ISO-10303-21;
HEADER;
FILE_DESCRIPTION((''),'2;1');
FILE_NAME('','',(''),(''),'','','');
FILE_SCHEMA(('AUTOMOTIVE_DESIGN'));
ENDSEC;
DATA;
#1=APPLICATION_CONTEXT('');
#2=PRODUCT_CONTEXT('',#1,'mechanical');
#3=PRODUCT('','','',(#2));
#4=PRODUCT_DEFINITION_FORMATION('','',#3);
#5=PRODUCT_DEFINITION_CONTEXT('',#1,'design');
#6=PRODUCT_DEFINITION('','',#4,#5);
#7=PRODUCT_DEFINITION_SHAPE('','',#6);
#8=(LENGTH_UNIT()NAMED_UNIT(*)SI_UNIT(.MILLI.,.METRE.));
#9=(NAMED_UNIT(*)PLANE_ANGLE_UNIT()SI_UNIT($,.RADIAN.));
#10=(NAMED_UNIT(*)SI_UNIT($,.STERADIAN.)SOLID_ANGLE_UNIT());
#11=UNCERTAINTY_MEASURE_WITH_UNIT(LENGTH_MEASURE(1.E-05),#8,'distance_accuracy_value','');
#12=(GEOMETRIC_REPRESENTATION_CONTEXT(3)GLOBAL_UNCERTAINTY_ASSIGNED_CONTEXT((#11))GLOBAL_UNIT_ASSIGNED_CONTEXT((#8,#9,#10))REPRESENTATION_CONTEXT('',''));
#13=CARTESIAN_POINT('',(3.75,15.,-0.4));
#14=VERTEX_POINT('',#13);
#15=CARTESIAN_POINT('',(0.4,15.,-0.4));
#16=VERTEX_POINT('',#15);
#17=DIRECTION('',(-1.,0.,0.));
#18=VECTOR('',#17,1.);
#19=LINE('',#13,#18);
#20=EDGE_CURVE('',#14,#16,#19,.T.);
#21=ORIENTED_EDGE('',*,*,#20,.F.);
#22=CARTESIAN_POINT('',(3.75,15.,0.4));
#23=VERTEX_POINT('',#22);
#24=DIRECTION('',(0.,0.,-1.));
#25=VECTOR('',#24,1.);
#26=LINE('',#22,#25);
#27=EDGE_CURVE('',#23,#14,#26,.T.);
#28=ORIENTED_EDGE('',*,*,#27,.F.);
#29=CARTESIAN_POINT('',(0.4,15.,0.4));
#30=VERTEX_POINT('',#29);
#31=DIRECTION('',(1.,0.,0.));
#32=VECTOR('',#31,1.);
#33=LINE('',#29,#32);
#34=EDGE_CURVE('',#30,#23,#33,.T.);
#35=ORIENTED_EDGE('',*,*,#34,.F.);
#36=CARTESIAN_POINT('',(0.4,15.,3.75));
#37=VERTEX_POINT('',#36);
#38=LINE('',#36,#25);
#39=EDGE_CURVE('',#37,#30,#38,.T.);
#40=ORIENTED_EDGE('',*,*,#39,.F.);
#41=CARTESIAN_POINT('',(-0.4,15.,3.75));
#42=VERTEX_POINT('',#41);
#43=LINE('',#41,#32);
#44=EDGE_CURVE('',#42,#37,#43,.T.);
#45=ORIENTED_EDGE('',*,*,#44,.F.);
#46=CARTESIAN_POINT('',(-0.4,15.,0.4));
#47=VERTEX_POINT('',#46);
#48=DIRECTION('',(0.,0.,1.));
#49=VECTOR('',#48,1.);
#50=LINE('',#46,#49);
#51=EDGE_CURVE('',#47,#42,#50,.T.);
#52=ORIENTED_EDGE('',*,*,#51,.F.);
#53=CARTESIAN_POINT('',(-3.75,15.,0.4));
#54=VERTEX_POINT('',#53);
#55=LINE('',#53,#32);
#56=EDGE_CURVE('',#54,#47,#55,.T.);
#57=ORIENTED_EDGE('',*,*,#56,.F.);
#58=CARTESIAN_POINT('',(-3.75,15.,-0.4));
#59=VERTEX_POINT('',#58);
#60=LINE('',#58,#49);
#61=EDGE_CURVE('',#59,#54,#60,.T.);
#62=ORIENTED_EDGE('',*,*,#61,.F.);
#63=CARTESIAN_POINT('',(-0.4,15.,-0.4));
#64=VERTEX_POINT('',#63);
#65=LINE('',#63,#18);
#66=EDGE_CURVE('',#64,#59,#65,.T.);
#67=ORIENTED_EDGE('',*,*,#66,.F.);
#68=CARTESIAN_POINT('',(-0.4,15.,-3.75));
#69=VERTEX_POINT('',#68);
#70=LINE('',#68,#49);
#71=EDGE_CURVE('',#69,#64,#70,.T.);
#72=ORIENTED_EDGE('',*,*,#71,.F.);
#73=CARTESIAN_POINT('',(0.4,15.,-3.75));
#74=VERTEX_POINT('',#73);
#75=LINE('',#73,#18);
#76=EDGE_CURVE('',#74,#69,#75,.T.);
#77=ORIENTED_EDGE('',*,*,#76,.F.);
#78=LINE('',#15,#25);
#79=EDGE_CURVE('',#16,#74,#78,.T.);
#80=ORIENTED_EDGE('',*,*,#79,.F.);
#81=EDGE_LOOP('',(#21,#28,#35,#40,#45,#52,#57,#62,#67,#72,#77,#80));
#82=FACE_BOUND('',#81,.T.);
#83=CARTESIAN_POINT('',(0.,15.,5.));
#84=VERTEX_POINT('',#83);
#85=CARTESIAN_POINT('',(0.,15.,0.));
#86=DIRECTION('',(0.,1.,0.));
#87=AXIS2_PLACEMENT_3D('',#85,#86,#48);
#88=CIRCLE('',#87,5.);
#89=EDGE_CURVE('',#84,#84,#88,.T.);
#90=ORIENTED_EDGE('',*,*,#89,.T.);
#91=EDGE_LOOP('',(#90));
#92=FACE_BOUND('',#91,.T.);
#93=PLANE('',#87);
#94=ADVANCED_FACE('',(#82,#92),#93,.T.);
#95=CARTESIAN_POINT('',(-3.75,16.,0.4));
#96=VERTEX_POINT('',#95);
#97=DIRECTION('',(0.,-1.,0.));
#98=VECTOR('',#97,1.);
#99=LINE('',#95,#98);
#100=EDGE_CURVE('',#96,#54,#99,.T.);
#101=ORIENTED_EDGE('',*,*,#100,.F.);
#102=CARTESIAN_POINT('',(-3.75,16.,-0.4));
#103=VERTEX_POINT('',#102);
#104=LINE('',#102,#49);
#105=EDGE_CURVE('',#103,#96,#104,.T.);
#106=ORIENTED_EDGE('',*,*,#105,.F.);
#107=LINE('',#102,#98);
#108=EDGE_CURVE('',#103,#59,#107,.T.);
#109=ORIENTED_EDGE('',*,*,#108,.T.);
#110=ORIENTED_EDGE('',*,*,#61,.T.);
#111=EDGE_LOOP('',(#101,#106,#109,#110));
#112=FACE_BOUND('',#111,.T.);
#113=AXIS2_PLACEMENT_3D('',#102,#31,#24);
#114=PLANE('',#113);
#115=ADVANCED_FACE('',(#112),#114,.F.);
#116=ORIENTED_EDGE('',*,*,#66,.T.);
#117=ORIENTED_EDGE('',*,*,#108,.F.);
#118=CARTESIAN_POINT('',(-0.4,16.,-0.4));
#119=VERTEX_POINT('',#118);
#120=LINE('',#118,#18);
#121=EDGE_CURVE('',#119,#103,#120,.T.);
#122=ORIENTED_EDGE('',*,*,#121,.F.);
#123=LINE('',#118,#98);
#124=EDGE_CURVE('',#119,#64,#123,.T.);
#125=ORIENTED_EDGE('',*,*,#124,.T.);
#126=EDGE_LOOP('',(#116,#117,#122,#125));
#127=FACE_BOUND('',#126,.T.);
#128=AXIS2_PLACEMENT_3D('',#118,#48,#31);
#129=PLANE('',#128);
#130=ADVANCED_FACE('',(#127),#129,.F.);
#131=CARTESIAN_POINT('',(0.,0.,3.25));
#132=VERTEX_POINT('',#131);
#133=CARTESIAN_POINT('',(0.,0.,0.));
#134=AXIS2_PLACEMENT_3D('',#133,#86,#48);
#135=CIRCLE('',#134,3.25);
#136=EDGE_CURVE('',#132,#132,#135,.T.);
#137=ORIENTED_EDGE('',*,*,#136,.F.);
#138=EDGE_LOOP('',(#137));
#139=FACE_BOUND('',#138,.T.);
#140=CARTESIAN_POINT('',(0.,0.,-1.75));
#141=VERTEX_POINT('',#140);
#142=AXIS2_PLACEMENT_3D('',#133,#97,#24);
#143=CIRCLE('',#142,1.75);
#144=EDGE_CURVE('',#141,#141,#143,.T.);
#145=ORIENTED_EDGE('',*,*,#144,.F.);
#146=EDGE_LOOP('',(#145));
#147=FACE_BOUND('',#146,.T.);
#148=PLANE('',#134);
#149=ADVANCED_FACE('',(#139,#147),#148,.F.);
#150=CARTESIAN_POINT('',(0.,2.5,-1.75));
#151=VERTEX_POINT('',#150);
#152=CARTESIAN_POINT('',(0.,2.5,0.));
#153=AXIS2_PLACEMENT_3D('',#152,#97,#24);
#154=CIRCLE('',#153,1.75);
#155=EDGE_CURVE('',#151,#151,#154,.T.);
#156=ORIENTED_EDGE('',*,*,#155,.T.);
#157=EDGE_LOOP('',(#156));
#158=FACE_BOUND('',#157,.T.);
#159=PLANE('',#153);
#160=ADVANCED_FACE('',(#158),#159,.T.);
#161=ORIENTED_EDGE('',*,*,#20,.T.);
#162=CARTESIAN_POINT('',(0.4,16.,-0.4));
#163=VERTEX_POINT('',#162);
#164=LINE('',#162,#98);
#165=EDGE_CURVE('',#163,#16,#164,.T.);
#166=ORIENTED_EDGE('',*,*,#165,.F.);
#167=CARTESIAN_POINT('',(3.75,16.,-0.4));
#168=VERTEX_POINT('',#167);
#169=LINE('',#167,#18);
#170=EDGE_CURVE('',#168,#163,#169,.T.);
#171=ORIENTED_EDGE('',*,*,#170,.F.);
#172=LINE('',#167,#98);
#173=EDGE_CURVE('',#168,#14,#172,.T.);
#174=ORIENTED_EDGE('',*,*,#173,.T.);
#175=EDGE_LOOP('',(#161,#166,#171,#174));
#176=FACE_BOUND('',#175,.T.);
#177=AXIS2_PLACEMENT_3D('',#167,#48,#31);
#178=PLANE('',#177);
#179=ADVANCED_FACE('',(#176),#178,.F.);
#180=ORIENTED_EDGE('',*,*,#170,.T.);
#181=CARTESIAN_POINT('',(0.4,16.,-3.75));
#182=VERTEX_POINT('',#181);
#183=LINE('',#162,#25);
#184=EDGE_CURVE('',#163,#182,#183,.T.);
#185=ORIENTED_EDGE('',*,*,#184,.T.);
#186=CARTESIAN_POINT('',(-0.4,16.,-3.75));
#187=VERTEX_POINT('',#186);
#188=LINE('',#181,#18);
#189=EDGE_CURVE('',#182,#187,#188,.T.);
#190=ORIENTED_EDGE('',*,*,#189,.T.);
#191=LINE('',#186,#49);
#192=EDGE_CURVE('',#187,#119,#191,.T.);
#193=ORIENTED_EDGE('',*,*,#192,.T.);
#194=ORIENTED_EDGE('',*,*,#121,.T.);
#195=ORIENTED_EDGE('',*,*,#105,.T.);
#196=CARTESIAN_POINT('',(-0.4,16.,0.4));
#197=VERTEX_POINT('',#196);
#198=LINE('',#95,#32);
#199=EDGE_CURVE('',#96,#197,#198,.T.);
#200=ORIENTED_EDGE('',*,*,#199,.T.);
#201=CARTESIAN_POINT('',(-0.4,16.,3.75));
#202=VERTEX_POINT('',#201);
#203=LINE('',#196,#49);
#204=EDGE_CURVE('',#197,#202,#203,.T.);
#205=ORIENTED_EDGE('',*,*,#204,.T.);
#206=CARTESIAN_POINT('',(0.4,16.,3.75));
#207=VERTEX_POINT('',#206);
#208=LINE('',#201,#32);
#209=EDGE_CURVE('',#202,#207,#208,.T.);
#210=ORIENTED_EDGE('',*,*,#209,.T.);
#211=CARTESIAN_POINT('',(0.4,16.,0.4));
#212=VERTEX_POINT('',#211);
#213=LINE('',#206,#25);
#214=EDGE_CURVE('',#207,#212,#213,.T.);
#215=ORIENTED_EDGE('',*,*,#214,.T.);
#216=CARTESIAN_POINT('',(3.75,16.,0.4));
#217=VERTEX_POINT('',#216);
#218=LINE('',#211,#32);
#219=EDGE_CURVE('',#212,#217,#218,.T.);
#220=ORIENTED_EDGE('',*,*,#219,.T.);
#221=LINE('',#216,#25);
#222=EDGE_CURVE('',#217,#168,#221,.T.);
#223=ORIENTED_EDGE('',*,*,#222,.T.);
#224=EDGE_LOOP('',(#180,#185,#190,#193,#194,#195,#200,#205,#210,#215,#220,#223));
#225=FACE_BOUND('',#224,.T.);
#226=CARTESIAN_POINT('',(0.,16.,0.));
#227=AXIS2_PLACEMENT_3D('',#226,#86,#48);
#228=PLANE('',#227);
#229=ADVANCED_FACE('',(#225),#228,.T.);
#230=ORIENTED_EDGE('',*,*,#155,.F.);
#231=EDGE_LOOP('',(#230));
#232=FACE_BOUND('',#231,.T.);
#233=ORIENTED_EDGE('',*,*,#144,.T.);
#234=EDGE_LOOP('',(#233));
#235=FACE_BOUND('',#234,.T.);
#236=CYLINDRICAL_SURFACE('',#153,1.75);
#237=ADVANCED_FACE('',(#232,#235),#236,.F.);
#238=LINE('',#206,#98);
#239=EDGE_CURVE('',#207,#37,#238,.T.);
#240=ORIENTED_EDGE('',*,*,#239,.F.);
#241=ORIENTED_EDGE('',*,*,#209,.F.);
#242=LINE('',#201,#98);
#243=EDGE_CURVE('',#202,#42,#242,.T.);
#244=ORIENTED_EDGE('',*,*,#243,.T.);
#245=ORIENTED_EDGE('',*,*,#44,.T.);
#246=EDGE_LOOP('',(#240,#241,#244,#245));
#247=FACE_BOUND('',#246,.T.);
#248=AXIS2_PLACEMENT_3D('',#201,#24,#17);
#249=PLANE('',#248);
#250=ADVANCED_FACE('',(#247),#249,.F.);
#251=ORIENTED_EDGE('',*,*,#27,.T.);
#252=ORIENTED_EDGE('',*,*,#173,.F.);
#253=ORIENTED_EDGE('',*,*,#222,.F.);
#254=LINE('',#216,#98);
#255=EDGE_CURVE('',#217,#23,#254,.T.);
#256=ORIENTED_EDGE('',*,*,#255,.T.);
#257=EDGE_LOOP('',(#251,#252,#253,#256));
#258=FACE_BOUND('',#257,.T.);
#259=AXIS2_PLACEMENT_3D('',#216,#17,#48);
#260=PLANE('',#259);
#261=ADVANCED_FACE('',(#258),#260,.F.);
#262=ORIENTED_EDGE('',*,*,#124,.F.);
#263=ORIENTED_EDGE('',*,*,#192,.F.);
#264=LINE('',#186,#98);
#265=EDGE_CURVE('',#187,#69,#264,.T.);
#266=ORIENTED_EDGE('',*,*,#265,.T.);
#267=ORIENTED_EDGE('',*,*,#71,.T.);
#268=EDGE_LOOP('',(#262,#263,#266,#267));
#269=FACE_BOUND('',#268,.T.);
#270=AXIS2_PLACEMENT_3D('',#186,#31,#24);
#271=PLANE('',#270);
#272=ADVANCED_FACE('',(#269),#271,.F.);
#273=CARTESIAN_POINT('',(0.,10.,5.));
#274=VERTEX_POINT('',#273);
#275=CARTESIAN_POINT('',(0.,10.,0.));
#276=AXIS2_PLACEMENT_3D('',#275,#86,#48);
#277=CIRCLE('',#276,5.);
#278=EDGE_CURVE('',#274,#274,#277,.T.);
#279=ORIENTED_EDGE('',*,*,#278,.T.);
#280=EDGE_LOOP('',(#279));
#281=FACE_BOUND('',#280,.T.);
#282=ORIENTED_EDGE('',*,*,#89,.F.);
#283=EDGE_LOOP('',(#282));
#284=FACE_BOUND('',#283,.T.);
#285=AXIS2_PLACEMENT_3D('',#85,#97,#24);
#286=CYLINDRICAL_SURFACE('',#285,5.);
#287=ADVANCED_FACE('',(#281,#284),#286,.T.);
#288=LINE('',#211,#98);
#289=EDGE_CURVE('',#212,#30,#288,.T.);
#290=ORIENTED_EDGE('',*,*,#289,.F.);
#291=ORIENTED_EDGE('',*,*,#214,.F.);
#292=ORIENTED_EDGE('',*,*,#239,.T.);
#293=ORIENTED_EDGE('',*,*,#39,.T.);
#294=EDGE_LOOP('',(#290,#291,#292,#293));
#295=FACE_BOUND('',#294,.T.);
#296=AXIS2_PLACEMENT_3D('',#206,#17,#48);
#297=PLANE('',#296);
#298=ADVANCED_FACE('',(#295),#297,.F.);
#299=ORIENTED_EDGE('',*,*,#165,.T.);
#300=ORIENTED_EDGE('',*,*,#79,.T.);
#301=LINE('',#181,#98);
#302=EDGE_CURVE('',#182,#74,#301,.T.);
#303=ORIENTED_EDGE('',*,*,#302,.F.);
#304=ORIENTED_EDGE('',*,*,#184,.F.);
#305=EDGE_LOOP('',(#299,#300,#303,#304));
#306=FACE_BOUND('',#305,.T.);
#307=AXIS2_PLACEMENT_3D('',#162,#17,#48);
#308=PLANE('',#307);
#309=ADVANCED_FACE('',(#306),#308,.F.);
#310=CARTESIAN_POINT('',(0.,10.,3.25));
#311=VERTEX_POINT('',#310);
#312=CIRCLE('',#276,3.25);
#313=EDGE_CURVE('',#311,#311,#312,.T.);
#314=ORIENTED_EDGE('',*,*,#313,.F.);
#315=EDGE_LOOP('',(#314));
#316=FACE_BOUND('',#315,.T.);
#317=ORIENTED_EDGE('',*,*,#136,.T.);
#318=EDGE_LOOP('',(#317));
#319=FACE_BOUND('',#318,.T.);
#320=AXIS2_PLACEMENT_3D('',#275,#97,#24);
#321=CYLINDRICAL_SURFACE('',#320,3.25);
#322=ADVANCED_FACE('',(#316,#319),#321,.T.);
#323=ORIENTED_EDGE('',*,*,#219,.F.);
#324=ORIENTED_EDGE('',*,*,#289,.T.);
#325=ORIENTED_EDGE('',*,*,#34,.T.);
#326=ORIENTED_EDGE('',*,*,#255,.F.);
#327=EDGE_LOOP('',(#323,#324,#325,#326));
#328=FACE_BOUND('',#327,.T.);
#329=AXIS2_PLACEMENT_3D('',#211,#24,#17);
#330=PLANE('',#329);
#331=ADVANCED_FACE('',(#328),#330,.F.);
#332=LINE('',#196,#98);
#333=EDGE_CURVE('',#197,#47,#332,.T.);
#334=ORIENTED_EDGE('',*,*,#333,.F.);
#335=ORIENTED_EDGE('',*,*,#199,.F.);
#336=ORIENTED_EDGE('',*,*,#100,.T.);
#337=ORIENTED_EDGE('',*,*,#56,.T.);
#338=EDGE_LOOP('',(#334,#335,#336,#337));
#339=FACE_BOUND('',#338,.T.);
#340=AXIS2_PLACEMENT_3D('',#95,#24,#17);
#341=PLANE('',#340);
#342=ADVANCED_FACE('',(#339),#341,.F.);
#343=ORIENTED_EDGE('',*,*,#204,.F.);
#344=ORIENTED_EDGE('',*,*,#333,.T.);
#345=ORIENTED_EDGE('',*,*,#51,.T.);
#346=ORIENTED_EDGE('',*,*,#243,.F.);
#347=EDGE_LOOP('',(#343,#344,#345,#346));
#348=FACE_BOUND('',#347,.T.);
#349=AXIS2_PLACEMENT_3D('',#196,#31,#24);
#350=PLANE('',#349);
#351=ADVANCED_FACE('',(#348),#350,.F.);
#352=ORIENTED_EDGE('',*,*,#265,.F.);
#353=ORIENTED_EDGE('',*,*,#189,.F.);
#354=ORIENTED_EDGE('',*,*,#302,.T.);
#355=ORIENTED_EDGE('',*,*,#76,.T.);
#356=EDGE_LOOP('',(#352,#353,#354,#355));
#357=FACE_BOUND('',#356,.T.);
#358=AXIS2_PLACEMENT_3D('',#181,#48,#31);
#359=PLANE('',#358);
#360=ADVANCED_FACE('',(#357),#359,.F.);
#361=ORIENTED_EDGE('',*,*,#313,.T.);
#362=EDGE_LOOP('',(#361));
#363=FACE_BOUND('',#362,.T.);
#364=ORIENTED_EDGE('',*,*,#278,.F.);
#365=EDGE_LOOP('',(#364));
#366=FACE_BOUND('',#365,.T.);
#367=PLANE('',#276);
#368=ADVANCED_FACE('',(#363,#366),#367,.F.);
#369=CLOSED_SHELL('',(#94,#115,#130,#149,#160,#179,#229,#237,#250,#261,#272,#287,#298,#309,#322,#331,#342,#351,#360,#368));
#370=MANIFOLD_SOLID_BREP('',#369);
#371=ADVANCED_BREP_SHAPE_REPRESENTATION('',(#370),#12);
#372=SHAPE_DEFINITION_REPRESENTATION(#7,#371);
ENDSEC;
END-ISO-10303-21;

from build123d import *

# Parameters (mm, degrees)
SKETCH1_R           = 3.25
BOSS_EXTRUDE1_DEPTH = 10
SKETCH2_R           = 1.75
CUT_EXTRUDE1_DEPTH  = 2.5
SKETCH6_R           = 5
BOSS_EXTRUDE2_DEPTH = 5
BOSS_EXTRUDE3_DEPTH = 1


with BuildPart() as part:
    # Sketch1 → Boss-Extrude1 (new body)
    with BuildSketch(Plane(origin=(0, 0, 0), x_dir=(1, 0, 0), z_dir=(0, 1, 0))):
        Circle(SKETCH1_R)
    extrude(amount=BOSS_EXTRUDE1_DEPTH)

    # Sketch2 → Cut-Extrude1 (cut)
    with BuildSketch(Plane.XZ):
        Circle(SKETCH2_R)
    extrude(amount=-CUT_EXTRUDE1_DEPTH, mode=Mode.SUBTRACT)

    # Sketch6 → Boss-Extrude2 (add)
    with BuildSketch(Plane(origin=(0, 10, 0), x_dir=(1, 0, 0), z_dir=(0, 1, 0))):
        Circle(SKETCH6_R)
    extrude(amount=BOSS_EXTRUDE2_DEPTH)

    # Sketch8 → Boss-Extrude3 (add)
    with BuildSketch(Plane(origin=(0, 15, 0), x_dir=(1, 0, 0), z_dir=(0, 1, 0))):
        Polygon((0.4, 3.75), (-0.4, 3.75), (-0.4, 0.4), (-3.75, 0.4), (-3.75, -0.4), (-0.4, -0.4), (-0.4, -3.75), (0.4, -3.75), (0.4, -0.4), (3.75, -0.4), (3.75, 0.4), (0.4, 0.4), align=None)
    extrude(amount=BOSS_EXTRUDE3_DEPTH)


solid = part.part
